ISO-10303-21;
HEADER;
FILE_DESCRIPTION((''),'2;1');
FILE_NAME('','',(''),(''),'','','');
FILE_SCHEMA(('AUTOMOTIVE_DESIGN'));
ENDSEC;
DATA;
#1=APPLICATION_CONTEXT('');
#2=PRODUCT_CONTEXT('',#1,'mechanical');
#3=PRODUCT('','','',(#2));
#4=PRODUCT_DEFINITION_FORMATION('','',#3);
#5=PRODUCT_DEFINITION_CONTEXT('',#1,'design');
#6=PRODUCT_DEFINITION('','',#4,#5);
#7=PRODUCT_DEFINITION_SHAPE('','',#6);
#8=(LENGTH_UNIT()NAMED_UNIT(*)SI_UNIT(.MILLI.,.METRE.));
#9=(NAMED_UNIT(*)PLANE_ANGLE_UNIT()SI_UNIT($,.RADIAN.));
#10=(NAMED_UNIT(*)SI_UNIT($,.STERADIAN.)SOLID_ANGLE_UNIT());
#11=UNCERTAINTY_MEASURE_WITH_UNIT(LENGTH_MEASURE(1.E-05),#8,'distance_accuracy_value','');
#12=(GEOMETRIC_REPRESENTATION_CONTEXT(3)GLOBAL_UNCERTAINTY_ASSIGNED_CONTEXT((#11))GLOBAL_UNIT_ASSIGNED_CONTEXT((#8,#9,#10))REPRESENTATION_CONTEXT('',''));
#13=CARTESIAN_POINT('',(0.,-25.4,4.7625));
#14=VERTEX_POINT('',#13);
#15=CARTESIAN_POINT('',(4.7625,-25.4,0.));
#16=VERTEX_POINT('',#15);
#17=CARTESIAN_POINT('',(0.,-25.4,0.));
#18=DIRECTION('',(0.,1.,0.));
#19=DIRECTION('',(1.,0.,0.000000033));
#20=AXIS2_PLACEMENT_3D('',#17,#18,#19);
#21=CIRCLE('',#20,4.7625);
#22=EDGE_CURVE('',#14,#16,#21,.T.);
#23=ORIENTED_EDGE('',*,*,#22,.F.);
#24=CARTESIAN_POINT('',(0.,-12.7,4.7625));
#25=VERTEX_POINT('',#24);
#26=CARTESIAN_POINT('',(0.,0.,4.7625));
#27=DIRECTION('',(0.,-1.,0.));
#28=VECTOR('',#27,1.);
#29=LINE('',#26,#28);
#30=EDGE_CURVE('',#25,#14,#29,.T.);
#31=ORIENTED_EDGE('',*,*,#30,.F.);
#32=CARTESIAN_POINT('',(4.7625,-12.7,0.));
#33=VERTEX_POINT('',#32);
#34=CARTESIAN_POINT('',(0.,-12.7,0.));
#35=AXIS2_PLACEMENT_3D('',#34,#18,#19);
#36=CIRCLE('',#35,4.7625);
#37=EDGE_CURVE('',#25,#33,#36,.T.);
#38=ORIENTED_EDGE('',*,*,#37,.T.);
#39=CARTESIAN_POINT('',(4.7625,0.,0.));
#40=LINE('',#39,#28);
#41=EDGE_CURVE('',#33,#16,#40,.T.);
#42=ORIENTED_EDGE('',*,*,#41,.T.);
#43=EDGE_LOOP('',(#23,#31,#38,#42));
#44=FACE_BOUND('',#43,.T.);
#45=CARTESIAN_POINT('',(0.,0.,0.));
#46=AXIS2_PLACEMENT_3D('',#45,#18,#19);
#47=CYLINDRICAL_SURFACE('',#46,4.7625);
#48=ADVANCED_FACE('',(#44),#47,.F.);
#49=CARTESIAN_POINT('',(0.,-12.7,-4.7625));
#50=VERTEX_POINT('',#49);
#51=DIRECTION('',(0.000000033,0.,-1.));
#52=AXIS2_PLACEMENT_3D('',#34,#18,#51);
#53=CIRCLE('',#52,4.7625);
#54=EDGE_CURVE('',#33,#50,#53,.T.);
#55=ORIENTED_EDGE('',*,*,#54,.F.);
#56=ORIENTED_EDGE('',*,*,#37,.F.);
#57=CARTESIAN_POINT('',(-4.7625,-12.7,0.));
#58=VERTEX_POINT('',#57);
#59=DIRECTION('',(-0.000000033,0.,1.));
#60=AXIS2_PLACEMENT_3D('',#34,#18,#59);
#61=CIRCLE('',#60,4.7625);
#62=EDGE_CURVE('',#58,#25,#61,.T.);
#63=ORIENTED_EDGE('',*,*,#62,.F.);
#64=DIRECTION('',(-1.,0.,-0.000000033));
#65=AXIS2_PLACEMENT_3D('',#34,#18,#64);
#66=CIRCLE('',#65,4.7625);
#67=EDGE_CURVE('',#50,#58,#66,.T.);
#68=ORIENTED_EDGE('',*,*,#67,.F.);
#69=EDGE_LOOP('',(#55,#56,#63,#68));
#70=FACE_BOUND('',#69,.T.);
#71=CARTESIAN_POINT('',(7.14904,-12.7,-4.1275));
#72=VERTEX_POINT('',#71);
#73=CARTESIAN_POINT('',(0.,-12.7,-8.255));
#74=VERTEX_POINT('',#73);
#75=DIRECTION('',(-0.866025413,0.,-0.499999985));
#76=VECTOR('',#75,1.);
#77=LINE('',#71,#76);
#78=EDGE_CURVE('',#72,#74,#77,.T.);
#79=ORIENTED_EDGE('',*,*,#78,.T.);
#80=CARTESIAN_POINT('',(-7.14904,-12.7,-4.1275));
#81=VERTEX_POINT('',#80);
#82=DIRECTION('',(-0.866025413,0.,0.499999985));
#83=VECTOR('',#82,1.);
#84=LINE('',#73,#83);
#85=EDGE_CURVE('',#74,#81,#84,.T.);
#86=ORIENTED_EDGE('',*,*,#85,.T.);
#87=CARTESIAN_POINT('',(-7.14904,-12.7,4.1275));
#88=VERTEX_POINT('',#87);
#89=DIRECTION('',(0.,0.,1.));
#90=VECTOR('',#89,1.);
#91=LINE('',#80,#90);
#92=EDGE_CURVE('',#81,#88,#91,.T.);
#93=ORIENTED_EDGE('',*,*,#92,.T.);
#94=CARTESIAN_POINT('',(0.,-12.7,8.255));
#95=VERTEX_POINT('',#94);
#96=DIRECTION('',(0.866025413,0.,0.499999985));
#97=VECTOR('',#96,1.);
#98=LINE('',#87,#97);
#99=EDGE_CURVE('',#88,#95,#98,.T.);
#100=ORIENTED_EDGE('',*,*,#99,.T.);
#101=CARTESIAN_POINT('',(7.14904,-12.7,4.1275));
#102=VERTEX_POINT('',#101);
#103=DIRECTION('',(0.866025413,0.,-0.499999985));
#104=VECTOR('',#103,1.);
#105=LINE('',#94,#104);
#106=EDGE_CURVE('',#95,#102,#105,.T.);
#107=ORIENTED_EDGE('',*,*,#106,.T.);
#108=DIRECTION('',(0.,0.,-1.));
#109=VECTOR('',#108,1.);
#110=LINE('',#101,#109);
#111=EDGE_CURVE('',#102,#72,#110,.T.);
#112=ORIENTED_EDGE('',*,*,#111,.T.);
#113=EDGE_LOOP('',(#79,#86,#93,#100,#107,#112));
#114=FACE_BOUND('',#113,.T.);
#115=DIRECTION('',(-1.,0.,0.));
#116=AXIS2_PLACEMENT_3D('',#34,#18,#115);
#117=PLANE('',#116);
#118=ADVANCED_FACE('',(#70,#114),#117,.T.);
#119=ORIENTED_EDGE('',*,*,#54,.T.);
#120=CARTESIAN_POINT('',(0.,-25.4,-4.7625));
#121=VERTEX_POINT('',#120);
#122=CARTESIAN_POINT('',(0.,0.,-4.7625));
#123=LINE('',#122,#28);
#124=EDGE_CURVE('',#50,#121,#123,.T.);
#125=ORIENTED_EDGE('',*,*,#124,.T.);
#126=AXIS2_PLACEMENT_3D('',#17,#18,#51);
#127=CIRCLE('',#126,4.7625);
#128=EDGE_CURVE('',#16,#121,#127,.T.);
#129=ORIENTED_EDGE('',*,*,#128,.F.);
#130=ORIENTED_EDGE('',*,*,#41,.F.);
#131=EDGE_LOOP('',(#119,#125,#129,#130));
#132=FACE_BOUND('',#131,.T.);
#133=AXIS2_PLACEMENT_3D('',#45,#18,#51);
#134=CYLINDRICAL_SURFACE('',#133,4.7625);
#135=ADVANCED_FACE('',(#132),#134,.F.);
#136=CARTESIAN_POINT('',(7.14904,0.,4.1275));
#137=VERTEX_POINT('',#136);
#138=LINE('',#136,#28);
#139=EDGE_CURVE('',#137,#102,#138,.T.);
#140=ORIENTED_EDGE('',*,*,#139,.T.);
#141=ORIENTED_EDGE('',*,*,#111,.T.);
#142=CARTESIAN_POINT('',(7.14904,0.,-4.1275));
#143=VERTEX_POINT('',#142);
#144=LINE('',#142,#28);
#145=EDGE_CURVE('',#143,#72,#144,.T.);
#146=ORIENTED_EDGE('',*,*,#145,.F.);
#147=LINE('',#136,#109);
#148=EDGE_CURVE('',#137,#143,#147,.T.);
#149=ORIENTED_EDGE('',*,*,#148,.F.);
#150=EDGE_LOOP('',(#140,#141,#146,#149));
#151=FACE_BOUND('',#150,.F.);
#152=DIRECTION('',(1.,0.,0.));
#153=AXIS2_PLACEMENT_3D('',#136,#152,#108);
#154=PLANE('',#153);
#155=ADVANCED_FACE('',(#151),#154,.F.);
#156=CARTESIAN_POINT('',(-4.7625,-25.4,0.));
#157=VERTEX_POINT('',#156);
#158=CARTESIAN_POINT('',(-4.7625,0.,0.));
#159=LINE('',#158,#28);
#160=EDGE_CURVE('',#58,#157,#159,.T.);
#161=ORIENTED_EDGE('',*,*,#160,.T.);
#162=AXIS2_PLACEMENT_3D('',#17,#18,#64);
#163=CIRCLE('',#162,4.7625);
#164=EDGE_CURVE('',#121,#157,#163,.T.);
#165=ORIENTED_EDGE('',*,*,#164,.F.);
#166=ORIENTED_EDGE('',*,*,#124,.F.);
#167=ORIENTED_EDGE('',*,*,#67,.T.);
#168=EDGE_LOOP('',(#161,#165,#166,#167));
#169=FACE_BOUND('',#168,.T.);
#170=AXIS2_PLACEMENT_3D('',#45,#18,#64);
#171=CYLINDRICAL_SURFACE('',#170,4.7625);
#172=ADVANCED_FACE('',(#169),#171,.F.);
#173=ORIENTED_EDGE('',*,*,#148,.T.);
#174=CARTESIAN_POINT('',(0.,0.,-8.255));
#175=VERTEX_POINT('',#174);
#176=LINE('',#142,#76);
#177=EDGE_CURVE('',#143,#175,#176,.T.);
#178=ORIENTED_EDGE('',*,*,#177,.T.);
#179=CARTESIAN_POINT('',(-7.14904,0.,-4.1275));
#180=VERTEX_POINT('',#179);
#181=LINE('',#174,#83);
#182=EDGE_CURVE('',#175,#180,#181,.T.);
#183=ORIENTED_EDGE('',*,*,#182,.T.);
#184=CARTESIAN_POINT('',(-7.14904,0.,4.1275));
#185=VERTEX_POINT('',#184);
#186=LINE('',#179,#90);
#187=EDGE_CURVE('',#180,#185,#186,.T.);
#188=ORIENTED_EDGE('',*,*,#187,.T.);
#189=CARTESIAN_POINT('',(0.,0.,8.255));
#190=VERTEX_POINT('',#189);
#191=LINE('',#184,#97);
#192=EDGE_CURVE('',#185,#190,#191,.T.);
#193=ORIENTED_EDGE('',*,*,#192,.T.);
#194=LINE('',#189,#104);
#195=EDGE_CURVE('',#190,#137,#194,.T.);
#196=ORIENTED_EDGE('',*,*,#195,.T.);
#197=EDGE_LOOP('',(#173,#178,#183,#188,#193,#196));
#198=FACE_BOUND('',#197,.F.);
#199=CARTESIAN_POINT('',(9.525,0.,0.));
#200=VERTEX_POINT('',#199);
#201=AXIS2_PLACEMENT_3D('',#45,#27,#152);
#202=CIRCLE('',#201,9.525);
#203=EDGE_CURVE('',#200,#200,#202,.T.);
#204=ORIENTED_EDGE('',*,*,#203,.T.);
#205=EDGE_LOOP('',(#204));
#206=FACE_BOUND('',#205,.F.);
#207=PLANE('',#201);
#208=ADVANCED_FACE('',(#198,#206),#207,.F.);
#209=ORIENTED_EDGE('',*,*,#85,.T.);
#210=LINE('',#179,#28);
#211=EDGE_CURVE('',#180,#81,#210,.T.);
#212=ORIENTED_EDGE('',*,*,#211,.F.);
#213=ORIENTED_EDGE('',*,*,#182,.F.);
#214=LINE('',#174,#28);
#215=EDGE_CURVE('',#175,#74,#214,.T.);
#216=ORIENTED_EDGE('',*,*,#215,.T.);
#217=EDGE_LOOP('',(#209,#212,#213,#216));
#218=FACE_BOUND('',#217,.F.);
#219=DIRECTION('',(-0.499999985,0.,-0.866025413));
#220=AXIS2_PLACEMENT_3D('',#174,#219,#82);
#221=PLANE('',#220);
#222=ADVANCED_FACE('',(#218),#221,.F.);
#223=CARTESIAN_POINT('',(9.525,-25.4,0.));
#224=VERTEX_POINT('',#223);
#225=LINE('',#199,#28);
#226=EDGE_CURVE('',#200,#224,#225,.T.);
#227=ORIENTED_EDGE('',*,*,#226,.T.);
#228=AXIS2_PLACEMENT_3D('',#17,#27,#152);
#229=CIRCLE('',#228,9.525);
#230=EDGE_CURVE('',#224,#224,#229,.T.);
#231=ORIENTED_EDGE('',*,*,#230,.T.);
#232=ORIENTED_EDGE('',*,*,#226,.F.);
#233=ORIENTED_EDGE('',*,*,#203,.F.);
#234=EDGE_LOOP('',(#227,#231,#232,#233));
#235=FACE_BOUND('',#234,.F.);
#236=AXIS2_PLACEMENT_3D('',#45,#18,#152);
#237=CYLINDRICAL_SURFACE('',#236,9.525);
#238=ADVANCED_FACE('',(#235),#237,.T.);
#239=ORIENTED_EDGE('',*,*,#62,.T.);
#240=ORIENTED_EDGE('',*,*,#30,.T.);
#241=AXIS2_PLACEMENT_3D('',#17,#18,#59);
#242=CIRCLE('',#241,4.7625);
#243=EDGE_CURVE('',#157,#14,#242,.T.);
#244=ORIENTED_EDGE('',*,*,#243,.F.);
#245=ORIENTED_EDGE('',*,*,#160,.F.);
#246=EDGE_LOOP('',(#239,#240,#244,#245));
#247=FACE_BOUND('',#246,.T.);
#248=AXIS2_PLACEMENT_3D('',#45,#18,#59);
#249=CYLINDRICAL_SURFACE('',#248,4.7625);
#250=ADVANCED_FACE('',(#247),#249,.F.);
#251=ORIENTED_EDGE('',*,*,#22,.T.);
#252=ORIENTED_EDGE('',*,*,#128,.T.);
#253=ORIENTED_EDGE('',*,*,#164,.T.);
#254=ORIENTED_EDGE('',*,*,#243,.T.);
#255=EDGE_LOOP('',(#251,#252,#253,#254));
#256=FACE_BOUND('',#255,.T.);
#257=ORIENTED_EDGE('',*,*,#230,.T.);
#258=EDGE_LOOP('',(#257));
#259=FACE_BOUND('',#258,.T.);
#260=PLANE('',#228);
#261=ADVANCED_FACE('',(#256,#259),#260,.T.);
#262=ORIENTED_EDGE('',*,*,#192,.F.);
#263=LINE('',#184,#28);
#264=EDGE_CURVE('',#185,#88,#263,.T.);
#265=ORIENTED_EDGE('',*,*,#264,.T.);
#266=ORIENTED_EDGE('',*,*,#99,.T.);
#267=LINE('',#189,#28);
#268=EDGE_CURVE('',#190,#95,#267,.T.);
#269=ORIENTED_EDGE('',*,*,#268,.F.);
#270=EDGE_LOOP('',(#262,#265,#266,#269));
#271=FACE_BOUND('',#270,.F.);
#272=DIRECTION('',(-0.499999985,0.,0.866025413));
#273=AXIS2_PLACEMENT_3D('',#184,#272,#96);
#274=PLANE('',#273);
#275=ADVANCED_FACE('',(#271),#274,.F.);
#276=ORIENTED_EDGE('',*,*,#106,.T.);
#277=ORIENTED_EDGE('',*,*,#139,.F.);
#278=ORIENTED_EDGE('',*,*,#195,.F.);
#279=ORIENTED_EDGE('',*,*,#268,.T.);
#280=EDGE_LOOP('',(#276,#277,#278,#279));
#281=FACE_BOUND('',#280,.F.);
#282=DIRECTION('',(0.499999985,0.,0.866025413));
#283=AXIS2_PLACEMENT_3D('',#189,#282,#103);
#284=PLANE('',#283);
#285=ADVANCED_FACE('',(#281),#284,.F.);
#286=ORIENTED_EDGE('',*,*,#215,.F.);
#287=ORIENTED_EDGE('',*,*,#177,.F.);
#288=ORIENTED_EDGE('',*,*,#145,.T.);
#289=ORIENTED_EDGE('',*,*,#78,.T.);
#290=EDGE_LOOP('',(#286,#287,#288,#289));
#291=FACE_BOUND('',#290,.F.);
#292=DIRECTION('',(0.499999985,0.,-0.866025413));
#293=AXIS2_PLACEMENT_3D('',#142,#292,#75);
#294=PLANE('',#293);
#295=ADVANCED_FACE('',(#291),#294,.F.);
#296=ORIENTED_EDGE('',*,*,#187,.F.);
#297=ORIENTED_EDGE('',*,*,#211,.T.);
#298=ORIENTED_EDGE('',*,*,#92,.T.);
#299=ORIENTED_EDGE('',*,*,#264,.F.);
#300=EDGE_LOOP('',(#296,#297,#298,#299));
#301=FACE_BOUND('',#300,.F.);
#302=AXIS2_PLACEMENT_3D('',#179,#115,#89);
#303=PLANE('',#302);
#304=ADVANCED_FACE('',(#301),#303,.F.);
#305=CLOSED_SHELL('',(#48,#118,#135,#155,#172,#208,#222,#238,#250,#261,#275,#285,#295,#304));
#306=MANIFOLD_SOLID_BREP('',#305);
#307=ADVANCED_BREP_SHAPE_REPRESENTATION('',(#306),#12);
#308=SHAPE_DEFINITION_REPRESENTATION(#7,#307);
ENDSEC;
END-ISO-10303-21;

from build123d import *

# Parameters (mm, degrees)
F0_R     = 9.525
F1_DEPTH = 25.4
F3_DEPTH = 25.4
F5_DEPTH = 25.401
F6_DEPTH = 9.525
F8_DEPTH = 12.7


with BuildPart() as f1:
    # F0 (on Front) → F1 (new body)
    with BuildSketch(Plane.XZ):
        Circle(F0_R)
    extrude(amount=F1_DEPTH)

    # F2 (on Front) → F3 (join)
    with BuildSketch(Plane.XZ):
        with BuildLine():
            Line((0, -4.7625), (4.7625, -4.7625))
            Line((4.7625, -4.7625), (4.7625, 0))
            ThreePointArc((4.7625, 0), (3.367596, -3.367596), (0, -4.7625))
        make_face()
        with BuildLine():
            Line((-4.7625, -4.7625), (0, -4.7625))
            ThreePointArc((0, -4.7625), (-3.367596, -3.367596), (-4.7625, 0))
            Line((-4.7625, 0), (-4.7625, -4.7625))
        make_face()
        with BuildLine():
            ThreePointArc((0, 4.7625), (3.367596, 3.367596), (4.7625, 0))
            Line((4.7625, 0), (4.7625, 4.7625))
            Line((4.7625, 4.7625), (0, 4.7625))
        make_face()
        with BuildLine():
            Line((-4.7625, 4.7625), (-4.7625, 0))
            ThreePointArc((-4.7625, 0), (-3.367596, 3.367596), (0, 4.7625))
            Line((0, 4.7625), (-4.7625, 4.7625))
        make_face()
    extrude(amount=F3_DEPTH)

    # F4 (on Front) → F5 (cut, through all)
    with BuildSketch(Plane.XZ):
        with BuildLine():
            ThreePointArc((-4.7625, 0), (-3.367596, -3.367596), (0, -4.7625))
            ThreePointArc((0, -4.7625), (3.367596, -3.367596), (4.7625, 0))
            ThreePointArc((4.7625, 0), (3.367596, 3.367596), (0, 4.7625))
            ThreePointArc((0, 4.7625), (-3.367596, 3.367596), (-4.7625, 0))
        make_face()
    extrude(amount=F5_DEPTH, mode=Mode.SUBTRACT)

    # F4 (on Front) → F6 (cut)
    with BuildSketch(Plane.XZ):
        with BuildLine():
            Line((0, -4.7625), (4.7625, -4.7625))
            Line((4.7625, -4.7625), (4.7625, 0))
            ThreePointArc((4.7625, 0), (3.367596, -3.367596), (0, -4.7625))
        make_face()
        with BuildLine():
            Line((-4.7625, -4.7625), (0, -4.7625))
            ThreePointArc((0, -4.7625), (-3.367596, -3.367596), (-4.7625, 0))
            Line((-4.7625, 0), (-4.7625, -4.7625))
        make_face()
        with BuildLine():
            ThreePointArc((0, 4.7625), (3.367596, 3.367596), (4.7625, 0))
            Line((4.7625, 0), (4.7625, 4.7625))
            Line((4.7625, 4.7625), (0, 4.7625))
        make_face()
        with BuildLine():
            Line((-4.7625, 4.7625), (-4.7625, 0))
            ThreePointArc((-4.7625, 0), (-3.367596, 3.367596), (0, 4.7625))
            Line((0, 4.7625), (-4.7625, 4.7625))
        make_face()
    extrude(amount=F6_DEPTH, mode=Mode.SUBTRACT)

    # F7 (on face) → F8 (cut)
    with BuildSketch(Plane(origin=(0, 0, 0), x_dir=(-1, 0, 0), z_dir=(0, 1, 0))):
        Polygon((7.14904, -4.1275), (7.14904, 4.1275), (0, 8.255), (-7.14904, 4.1275), (-7.14904, -4.1275), (0, -8.255), align=None)
    extrude(amount=-F8_DEPTH, mode=Mode.SUBTRACT)


solid = f1.part
